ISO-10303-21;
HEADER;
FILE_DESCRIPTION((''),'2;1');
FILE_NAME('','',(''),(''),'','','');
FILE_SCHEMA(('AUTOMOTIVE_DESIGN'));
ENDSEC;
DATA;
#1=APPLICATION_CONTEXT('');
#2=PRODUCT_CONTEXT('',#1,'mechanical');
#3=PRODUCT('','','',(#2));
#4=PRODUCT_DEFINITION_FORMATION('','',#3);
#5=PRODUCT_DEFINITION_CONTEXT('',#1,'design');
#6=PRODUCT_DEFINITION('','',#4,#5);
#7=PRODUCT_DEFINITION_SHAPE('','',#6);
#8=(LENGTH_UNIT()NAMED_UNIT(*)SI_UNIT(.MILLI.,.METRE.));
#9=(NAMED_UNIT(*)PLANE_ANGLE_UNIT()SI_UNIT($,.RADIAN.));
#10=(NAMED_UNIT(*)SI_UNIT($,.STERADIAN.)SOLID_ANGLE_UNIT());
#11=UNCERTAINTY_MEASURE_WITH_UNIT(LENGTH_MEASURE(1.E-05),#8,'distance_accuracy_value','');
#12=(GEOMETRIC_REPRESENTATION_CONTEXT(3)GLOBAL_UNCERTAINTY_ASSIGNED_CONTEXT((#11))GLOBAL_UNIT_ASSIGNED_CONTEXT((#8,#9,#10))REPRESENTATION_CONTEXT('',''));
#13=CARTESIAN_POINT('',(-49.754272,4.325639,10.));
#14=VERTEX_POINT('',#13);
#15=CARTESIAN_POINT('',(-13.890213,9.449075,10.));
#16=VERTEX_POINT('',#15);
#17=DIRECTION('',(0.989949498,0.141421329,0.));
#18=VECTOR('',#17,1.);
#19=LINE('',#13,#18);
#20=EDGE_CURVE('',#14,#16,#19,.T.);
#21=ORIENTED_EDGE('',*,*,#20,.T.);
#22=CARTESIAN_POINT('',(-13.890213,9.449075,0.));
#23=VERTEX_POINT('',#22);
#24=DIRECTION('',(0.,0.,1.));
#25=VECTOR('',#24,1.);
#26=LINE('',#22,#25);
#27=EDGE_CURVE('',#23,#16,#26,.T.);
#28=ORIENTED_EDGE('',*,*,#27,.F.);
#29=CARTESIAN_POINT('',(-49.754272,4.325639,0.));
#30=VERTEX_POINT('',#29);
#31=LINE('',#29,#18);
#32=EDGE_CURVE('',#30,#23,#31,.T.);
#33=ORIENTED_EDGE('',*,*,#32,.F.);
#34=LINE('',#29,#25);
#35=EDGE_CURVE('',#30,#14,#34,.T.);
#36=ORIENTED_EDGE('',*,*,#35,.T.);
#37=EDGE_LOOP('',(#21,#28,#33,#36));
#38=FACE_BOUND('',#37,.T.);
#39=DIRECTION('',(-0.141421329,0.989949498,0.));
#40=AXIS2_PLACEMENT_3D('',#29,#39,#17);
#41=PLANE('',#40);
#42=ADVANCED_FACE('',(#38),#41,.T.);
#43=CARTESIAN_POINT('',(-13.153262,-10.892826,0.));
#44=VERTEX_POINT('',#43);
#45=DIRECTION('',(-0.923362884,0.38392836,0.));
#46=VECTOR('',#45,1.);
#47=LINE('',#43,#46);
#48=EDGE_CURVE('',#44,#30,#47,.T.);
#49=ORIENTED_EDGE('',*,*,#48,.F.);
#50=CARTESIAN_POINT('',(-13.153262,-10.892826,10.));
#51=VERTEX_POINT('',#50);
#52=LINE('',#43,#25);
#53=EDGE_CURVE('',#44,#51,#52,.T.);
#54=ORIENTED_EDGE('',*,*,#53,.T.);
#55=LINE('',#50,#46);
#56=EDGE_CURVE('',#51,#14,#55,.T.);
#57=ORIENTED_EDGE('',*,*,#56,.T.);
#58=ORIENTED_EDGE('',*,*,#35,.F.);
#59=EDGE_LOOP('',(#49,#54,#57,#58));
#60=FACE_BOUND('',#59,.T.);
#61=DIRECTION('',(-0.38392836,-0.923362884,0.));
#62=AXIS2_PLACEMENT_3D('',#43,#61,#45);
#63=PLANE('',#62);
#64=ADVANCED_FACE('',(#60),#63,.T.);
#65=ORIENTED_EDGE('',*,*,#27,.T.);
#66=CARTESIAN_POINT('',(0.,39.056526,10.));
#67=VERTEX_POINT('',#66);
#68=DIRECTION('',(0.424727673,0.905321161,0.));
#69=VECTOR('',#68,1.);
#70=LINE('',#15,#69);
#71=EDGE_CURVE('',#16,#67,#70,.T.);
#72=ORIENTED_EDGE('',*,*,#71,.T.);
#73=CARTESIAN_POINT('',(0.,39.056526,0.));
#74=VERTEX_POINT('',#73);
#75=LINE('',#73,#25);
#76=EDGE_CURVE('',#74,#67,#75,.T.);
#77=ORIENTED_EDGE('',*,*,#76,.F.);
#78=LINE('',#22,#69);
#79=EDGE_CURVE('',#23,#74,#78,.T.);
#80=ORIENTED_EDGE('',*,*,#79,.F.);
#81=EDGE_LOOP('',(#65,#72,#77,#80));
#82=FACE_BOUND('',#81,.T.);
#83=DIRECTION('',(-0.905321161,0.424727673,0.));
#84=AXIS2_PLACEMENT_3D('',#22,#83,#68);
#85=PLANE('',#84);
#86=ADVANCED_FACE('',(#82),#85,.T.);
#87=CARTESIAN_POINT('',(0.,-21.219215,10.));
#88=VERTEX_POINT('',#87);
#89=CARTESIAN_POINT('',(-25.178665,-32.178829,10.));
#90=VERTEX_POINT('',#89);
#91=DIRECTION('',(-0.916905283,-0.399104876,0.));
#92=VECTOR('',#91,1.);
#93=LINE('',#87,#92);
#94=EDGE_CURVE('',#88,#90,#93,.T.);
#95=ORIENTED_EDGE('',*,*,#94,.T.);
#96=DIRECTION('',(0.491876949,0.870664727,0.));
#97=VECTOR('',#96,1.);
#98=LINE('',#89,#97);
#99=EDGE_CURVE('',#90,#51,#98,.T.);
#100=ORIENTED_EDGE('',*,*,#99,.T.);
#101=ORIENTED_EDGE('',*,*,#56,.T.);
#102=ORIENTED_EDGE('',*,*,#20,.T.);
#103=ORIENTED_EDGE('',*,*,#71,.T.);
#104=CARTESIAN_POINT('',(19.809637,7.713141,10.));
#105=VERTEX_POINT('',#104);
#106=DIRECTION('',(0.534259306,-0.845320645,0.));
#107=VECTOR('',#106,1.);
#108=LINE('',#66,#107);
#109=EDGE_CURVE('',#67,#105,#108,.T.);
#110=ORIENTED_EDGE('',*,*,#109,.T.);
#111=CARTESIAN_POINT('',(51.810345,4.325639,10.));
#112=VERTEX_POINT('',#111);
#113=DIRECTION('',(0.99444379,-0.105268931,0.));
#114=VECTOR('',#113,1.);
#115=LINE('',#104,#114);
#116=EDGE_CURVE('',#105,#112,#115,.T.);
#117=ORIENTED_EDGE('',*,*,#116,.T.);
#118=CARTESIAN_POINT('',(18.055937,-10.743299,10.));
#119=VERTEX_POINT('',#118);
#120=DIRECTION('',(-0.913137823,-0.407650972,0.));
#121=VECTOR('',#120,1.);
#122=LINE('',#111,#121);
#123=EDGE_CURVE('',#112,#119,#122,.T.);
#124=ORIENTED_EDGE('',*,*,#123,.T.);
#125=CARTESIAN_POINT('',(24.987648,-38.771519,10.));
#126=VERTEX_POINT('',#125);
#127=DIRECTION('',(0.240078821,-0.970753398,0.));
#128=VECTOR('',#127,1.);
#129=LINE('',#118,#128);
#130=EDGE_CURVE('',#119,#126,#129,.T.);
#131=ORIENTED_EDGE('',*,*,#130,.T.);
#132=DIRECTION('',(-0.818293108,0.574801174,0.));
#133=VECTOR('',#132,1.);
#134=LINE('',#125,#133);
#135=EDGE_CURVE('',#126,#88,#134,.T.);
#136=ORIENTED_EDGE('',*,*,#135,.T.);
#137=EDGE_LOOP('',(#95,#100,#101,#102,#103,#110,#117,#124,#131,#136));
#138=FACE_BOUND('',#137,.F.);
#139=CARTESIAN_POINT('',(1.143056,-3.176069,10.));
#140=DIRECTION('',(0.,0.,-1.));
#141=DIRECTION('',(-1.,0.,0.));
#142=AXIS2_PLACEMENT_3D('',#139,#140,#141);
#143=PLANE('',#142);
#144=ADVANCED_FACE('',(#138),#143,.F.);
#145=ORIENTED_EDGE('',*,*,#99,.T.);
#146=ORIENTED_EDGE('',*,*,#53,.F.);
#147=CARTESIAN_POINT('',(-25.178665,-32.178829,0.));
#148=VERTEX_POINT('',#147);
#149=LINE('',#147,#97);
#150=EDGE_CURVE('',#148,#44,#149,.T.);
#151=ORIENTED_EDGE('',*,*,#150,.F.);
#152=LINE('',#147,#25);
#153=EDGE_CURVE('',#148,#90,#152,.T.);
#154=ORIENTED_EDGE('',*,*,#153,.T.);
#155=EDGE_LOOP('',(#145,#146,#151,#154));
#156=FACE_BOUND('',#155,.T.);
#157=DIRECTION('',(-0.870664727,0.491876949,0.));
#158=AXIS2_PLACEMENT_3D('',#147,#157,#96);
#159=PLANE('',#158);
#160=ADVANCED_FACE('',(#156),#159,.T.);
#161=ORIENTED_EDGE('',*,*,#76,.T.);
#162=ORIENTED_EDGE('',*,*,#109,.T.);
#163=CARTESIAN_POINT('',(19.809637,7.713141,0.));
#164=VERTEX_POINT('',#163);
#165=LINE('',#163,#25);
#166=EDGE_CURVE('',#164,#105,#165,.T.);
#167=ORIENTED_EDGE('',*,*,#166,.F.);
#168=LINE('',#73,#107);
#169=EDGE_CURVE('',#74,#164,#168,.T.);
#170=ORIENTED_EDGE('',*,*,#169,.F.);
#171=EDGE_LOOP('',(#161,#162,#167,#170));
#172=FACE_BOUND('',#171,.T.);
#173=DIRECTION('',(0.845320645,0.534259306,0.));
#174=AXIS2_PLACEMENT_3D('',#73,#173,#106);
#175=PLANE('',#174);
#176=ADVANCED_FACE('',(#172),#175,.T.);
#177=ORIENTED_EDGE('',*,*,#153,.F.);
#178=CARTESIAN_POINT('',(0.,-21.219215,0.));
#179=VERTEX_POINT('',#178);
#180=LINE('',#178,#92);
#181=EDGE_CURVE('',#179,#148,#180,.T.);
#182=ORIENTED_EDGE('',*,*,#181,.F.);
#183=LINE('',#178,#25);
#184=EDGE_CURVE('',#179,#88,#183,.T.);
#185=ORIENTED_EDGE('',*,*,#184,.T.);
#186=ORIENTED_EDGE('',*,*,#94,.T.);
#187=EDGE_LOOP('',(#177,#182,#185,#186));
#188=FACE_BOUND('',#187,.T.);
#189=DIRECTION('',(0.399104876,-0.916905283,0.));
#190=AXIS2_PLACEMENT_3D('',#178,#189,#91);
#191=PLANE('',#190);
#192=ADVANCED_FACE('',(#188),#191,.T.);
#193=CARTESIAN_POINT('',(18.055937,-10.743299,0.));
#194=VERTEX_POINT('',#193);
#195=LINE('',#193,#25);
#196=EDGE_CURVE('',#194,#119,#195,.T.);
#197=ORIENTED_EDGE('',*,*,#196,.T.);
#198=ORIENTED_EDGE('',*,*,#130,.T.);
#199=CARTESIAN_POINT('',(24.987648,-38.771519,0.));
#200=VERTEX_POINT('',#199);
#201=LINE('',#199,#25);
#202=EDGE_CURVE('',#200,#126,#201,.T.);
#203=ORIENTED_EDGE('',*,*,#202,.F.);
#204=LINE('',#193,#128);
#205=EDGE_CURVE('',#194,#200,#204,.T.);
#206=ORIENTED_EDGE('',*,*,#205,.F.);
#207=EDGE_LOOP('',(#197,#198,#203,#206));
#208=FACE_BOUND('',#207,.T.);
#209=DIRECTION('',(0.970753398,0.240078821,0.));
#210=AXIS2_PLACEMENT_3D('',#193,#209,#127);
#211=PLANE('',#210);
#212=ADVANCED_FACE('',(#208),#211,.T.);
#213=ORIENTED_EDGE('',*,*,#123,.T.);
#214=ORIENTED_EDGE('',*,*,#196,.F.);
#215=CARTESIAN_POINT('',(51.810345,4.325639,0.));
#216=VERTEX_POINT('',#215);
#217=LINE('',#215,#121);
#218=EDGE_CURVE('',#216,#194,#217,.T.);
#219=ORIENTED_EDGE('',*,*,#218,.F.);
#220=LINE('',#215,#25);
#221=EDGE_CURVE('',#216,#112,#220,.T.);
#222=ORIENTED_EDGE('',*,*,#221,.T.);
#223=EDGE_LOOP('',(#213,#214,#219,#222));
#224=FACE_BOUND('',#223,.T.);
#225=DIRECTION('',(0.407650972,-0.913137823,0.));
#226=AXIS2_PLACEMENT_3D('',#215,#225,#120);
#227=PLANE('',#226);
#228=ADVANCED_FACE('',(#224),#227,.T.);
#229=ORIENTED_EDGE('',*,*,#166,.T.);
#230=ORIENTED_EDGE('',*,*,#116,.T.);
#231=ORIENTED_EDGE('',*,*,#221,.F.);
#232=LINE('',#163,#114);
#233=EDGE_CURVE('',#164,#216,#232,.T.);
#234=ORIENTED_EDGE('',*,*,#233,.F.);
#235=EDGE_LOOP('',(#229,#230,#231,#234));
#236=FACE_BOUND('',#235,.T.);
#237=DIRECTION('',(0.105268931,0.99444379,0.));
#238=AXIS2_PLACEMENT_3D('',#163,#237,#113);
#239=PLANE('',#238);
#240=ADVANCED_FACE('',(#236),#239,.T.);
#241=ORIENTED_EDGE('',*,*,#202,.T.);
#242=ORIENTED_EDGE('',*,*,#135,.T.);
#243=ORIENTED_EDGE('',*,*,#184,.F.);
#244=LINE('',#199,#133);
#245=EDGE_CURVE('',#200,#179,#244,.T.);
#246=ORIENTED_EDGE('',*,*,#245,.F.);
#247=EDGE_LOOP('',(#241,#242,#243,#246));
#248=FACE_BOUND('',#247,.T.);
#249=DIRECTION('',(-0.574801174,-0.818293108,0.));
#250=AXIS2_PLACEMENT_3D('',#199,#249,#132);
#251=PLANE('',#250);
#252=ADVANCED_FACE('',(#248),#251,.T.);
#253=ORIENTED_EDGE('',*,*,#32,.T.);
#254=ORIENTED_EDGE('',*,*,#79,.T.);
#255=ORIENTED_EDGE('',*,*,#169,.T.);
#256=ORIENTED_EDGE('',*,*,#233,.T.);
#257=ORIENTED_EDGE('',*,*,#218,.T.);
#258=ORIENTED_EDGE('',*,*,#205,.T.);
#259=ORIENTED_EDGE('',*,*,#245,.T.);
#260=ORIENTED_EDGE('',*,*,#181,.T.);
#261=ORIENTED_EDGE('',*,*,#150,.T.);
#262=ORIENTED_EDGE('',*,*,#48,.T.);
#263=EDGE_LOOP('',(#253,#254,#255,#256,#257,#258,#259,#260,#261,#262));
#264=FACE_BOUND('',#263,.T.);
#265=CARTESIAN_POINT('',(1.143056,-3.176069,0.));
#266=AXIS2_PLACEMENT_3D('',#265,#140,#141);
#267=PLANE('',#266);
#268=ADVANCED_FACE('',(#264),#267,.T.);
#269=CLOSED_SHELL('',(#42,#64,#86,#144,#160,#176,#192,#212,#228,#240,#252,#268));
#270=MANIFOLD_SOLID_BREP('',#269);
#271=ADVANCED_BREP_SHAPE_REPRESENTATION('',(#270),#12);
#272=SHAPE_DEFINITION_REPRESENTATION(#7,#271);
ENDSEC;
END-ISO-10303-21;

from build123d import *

# Parameters (mm, degrees)
PAD_DEPTH = 10


with BuildPart() as part:
    # Sketch → Pad (new body)
    with BuildSketch(Plane.XY):
        Polygon((0, 39.056526), (19.809637, 7.713141), (51.810345, 4.325639), (18.055937, -10.743299), (24.987648, -38.771519), (0, -21.219215), (-25.178665, -32.178829), (-13.153262, -10.892826), (-49.754272, 4.325639), (-13.890213, 9.449075), align=None)
    extrude(amount=PAD_DEPTH)


solid = part.part
